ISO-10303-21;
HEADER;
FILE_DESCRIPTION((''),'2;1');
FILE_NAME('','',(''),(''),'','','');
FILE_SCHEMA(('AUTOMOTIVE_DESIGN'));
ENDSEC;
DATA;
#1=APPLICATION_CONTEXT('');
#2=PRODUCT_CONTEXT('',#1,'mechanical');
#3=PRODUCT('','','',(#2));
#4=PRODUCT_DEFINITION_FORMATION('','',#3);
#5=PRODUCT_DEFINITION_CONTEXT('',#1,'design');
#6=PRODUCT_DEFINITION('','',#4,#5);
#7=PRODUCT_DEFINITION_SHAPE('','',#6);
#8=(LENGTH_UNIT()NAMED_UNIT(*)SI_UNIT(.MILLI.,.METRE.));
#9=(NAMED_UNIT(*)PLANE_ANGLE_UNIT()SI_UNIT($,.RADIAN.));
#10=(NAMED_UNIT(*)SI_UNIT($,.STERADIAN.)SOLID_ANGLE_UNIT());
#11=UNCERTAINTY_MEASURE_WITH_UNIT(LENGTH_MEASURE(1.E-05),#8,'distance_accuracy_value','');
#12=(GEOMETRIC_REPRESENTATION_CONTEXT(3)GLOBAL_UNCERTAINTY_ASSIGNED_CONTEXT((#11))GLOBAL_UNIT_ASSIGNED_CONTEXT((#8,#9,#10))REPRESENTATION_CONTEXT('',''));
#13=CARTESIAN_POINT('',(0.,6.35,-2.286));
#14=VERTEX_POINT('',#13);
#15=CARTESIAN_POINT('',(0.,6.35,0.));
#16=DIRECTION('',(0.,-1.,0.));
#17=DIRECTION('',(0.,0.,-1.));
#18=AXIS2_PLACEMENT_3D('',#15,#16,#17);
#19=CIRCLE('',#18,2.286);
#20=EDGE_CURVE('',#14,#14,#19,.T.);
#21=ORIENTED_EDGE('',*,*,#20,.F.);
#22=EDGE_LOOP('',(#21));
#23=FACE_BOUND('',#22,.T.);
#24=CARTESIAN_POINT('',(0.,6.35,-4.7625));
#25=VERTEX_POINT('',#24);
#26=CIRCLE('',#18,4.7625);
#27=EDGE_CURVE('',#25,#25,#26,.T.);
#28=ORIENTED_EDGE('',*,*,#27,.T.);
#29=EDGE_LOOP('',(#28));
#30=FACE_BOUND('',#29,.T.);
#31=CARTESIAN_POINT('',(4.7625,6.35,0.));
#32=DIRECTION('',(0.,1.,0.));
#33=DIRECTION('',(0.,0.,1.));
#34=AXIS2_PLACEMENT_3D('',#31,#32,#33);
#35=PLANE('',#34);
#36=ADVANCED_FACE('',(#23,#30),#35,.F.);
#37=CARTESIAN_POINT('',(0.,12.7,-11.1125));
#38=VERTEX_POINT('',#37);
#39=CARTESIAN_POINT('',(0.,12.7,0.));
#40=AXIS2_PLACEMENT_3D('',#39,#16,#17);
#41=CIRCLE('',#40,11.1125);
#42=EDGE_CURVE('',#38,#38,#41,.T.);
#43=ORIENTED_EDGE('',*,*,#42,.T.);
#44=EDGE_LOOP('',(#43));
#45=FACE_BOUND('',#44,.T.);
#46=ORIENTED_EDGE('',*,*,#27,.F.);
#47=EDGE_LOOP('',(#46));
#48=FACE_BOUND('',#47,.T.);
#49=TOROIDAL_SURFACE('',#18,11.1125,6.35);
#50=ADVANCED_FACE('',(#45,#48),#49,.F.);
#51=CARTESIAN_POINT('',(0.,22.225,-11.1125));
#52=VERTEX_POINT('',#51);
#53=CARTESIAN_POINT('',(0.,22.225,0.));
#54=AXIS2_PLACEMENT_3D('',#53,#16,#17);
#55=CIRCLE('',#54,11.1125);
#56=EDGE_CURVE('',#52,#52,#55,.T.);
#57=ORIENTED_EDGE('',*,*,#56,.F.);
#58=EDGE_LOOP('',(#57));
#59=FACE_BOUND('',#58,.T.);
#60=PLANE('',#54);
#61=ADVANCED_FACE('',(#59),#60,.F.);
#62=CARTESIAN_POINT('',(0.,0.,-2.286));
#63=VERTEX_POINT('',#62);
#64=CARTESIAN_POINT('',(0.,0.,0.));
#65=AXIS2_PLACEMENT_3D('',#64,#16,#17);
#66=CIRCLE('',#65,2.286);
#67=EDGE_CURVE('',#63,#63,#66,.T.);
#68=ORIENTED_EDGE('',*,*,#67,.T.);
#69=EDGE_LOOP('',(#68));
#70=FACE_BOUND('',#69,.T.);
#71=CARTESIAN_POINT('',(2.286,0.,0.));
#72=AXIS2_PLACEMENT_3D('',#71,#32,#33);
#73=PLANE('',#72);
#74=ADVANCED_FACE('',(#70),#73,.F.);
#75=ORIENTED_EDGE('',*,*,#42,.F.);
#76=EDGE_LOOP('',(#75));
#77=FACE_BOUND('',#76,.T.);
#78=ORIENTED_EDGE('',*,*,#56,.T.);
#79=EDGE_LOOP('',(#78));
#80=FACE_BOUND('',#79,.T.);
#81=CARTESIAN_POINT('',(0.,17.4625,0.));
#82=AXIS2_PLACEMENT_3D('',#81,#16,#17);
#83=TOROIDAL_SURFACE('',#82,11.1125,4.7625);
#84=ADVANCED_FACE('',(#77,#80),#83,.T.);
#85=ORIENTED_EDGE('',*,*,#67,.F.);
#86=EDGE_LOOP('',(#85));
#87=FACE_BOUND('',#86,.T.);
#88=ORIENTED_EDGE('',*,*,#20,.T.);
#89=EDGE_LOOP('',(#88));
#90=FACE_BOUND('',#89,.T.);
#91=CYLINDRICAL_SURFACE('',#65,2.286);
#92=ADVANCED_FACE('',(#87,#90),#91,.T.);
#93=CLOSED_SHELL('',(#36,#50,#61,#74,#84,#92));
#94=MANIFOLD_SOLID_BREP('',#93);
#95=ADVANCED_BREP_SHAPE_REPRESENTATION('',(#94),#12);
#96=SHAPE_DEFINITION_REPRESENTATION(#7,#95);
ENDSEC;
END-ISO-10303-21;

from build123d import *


with BuildPart() as part:
    # Sketch1 → Base-Revolve (revolve)
    with BuildSketch(Plane.XY, mode=Mode.PRIVATE) as base_revolve_sk:
        with BuildLine():
            Line((0, 0), (0, 22.225))
            Line((0, 22.225), (11.1125, 22.225))
            ThreePointArc((11.1125, 22.225), (15.875, 17.4625), (11.1125, 12.7))
            ThreePointArc((11.1125, 12.7), (6.622371939, 10.840128061), (4.7625, 6.35))
            Line((4.7625, 6.35), (2.286, 6.35))
            Line((2.286, 6.35), (2.286, 0))
            Line((2.286, 0), (0, 0))
        make_face()
    revolve(base_revolve_sk.sketch.rotate(Axis((0, 0, 0), (0, 1, 0)), 90), axis=Axis((0, 0, 0), (0, 1, 0)))


solid = part.part
